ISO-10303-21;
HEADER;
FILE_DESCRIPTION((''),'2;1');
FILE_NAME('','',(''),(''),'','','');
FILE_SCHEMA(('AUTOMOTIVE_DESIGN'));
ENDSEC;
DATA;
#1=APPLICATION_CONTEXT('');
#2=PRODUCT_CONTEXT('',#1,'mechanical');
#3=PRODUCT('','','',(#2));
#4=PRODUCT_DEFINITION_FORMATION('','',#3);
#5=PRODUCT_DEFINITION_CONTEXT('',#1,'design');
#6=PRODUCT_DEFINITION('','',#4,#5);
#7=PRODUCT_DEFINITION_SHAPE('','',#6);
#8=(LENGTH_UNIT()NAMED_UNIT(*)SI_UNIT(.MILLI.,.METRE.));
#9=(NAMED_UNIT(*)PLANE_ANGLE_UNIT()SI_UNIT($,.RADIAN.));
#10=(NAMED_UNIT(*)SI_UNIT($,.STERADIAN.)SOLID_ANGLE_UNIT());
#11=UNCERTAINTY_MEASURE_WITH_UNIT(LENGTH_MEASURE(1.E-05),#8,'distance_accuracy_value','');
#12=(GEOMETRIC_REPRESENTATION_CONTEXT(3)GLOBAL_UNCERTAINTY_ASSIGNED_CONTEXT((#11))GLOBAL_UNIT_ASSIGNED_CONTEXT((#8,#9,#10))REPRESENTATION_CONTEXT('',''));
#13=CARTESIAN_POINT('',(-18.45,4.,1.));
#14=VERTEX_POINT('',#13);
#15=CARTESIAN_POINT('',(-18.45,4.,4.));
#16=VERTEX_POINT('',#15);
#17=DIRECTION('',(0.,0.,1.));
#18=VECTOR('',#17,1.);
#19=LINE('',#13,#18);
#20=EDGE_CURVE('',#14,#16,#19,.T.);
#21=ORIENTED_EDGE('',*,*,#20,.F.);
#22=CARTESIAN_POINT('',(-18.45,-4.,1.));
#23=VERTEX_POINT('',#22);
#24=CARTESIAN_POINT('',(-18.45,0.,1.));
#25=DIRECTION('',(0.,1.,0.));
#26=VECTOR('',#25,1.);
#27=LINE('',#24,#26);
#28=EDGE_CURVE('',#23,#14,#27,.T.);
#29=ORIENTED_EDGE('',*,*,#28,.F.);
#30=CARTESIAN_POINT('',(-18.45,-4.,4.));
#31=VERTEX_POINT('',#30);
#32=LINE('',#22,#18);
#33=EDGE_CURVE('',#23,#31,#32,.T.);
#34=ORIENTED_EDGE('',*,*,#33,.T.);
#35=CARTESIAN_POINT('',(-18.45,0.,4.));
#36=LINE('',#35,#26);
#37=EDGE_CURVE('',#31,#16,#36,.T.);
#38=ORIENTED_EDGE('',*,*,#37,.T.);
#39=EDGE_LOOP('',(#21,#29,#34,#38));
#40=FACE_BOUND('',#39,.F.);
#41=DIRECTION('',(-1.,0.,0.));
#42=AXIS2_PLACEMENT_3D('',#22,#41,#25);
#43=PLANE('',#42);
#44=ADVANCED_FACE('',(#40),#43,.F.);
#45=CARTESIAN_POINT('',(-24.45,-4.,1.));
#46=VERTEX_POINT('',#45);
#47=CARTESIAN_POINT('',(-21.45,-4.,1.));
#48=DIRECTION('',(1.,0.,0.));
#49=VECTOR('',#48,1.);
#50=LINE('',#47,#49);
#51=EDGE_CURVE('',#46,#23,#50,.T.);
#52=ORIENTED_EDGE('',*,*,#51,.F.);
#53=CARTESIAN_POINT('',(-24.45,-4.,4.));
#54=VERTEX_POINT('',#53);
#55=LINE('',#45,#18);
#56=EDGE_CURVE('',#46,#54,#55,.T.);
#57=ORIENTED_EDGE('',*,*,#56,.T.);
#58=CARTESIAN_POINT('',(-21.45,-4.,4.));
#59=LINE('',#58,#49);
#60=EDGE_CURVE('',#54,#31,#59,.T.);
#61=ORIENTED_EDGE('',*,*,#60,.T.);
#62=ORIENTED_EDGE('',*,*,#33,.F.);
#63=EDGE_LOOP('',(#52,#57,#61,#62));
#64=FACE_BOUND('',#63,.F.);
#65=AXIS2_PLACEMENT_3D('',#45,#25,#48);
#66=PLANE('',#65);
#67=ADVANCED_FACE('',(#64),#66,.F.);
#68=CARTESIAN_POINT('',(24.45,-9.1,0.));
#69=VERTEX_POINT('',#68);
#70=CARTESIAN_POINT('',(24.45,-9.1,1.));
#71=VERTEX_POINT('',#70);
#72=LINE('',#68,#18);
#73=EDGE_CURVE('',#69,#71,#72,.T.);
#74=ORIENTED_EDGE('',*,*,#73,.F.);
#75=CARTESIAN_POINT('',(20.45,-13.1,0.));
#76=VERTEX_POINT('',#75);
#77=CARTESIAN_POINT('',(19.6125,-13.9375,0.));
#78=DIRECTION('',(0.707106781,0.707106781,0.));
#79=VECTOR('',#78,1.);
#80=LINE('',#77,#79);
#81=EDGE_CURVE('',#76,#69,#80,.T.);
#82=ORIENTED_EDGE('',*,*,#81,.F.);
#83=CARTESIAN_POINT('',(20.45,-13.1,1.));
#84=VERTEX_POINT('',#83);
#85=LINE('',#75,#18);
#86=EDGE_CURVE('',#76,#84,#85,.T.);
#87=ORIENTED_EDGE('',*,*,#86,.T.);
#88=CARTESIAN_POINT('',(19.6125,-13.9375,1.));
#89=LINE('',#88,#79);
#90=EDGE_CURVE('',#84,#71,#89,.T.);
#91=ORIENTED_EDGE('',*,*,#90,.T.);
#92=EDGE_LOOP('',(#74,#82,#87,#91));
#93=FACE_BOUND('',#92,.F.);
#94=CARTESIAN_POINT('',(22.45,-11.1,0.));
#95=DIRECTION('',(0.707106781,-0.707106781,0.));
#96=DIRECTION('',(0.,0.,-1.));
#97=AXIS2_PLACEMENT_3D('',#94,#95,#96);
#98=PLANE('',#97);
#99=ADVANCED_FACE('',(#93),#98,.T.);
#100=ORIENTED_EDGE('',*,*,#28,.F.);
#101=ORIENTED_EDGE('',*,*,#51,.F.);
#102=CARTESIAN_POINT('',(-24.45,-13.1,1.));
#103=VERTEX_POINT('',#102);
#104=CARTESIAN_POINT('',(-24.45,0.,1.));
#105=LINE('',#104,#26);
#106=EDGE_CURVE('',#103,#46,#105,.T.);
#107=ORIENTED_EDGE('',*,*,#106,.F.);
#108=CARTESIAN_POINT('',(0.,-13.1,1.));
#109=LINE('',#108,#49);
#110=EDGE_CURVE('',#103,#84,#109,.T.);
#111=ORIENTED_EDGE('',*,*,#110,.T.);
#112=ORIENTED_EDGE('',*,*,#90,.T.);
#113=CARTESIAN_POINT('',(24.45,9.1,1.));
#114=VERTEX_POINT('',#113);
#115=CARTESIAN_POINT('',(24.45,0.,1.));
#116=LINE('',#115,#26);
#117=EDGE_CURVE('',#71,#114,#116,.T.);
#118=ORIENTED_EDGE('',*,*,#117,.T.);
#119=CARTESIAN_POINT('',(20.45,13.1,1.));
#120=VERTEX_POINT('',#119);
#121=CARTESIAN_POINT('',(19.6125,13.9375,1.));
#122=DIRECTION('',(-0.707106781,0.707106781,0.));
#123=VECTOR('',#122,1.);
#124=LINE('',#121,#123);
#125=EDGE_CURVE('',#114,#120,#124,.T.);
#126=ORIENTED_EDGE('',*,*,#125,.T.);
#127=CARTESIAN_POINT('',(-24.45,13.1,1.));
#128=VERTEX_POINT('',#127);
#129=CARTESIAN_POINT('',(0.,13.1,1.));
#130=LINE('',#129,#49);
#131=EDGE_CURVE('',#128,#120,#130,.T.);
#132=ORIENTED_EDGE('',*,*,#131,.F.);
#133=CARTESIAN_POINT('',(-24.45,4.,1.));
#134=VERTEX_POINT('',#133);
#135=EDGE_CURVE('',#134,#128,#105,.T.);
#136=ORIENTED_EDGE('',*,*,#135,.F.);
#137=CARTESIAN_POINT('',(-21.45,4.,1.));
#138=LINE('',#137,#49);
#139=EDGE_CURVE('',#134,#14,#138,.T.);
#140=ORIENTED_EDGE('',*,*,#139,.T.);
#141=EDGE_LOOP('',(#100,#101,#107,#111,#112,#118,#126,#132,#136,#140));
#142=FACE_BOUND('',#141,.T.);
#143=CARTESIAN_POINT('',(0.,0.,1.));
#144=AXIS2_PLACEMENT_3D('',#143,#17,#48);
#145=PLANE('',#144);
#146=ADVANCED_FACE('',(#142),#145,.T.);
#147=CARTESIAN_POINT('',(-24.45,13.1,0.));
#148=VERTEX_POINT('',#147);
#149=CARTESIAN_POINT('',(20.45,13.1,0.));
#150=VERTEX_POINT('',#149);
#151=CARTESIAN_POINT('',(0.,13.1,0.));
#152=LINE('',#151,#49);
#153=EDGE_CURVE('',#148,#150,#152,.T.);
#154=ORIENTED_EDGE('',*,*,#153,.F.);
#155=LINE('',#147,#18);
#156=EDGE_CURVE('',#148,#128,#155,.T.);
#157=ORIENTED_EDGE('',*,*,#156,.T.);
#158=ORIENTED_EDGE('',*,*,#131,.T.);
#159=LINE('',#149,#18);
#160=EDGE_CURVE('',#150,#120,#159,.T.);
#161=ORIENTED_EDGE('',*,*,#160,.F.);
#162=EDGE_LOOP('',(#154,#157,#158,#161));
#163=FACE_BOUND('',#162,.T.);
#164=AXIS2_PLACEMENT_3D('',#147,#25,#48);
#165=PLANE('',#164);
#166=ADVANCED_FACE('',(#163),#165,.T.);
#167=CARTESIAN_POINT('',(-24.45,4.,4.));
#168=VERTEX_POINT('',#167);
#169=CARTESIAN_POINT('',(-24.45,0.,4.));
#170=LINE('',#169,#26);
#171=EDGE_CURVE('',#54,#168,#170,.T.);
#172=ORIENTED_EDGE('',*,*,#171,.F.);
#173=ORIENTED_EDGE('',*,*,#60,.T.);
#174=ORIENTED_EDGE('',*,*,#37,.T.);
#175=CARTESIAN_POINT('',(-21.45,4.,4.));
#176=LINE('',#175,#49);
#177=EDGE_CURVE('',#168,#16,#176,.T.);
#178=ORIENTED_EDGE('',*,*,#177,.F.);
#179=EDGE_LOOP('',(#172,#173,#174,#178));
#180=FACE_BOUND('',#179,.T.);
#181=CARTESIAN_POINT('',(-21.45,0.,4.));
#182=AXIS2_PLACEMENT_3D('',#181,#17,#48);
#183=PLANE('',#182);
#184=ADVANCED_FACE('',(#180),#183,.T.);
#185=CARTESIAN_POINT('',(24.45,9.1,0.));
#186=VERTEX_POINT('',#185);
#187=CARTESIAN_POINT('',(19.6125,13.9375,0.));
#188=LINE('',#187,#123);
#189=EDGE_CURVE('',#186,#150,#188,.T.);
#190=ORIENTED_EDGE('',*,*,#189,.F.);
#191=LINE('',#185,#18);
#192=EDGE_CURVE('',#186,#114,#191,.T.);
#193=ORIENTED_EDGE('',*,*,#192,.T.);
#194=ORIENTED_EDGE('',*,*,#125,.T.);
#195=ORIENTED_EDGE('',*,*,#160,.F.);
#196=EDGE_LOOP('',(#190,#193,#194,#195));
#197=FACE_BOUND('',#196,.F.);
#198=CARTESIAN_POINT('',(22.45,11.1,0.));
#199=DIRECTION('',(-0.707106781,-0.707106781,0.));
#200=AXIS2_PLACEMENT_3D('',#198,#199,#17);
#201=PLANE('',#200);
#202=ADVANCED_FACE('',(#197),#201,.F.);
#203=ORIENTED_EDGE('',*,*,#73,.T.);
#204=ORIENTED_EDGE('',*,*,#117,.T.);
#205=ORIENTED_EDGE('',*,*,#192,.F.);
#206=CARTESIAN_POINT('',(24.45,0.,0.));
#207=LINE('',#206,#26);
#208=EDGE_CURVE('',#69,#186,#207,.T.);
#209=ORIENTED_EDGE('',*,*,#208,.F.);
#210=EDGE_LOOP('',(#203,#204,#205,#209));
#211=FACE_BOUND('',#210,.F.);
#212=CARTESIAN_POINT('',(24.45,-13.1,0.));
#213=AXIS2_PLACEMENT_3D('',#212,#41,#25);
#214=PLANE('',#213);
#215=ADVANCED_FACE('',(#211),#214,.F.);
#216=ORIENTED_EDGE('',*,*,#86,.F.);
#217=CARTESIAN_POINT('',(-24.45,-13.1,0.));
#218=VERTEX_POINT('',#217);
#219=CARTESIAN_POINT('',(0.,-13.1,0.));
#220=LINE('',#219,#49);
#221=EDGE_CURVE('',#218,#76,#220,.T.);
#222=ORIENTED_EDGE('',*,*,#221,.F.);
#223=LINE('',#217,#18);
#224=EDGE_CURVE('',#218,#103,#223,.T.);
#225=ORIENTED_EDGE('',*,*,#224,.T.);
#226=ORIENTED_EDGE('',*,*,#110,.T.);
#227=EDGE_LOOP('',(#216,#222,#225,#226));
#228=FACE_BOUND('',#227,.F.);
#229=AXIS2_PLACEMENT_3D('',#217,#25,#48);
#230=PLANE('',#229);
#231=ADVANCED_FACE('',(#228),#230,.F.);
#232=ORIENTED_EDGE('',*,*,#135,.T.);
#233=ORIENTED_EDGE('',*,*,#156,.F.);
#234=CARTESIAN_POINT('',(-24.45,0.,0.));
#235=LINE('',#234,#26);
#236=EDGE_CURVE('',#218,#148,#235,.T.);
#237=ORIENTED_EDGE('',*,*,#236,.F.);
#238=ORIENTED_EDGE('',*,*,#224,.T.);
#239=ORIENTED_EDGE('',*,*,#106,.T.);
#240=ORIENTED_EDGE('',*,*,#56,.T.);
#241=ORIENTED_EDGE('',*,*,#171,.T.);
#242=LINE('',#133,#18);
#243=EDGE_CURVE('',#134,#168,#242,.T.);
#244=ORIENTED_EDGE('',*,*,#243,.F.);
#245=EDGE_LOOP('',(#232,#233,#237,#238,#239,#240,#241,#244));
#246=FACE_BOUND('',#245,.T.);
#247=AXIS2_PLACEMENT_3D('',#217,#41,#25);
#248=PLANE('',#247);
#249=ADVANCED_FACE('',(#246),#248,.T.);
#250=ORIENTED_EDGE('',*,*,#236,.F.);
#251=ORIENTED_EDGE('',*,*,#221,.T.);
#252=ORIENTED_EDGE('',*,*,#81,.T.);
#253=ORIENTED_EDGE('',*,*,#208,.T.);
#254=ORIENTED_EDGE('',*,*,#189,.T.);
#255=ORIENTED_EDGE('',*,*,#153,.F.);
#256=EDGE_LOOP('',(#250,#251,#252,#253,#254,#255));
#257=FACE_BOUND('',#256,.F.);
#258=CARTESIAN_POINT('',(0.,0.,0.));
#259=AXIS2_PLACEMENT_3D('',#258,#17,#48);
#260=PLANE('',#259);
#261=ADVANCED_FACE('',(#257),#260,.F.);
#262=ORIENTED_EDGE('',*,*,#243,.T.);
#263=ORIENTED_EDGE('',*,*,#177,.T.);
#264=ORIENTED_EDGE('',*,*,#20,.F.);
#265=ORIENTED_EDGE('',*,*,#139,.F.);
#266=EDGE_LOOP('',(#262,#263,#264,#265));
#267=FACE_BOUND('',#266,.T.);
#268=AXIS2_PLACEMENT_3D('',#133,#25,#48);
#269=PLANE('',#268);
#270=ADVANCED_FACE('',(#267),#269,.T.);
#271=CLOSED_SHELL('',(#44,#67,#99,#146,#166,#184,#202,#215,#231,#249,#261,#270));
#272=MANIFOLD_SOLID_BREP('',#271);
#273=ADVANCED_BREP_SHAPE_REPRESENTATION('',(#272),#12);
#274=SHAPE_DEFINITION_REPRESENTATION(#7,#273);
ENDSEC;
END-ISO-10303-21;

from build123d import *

# Parameters (mm, degrees)
F0_W     = 48.9
F0_H     = 26.2
F1_DEPTH = 1
F2_SIZE  = 4
F3_W     = 6
F3_H     = 8
F4_DEPTH = 3


with BuildPart() as f1:
    # F0 (on Top) → F1 (new body)
    with BuildSketch(Plane.XY):
        Rectangle(F0_W, F0_H)
    extrude(amount=F1_DEPTH)

    # F2
    f2_edges = [f1.edges().sort_by_distance(p)[0] for p in [
        (24.45, 13.1, 0.5),
        (24.45, -13.1, 0.5),
    ]]
    chamfer(f2_edges, length=F2_SIZE)

    # F3 (on face) → F4 (join)
    with BuildSketch(Plane.XY.offset(1)):
        with Locations((-21.45, 0)):
            Rectangle(F3_W, F3_H)
    extrude(amount=F4_DEPTH)


solid = f1.part
